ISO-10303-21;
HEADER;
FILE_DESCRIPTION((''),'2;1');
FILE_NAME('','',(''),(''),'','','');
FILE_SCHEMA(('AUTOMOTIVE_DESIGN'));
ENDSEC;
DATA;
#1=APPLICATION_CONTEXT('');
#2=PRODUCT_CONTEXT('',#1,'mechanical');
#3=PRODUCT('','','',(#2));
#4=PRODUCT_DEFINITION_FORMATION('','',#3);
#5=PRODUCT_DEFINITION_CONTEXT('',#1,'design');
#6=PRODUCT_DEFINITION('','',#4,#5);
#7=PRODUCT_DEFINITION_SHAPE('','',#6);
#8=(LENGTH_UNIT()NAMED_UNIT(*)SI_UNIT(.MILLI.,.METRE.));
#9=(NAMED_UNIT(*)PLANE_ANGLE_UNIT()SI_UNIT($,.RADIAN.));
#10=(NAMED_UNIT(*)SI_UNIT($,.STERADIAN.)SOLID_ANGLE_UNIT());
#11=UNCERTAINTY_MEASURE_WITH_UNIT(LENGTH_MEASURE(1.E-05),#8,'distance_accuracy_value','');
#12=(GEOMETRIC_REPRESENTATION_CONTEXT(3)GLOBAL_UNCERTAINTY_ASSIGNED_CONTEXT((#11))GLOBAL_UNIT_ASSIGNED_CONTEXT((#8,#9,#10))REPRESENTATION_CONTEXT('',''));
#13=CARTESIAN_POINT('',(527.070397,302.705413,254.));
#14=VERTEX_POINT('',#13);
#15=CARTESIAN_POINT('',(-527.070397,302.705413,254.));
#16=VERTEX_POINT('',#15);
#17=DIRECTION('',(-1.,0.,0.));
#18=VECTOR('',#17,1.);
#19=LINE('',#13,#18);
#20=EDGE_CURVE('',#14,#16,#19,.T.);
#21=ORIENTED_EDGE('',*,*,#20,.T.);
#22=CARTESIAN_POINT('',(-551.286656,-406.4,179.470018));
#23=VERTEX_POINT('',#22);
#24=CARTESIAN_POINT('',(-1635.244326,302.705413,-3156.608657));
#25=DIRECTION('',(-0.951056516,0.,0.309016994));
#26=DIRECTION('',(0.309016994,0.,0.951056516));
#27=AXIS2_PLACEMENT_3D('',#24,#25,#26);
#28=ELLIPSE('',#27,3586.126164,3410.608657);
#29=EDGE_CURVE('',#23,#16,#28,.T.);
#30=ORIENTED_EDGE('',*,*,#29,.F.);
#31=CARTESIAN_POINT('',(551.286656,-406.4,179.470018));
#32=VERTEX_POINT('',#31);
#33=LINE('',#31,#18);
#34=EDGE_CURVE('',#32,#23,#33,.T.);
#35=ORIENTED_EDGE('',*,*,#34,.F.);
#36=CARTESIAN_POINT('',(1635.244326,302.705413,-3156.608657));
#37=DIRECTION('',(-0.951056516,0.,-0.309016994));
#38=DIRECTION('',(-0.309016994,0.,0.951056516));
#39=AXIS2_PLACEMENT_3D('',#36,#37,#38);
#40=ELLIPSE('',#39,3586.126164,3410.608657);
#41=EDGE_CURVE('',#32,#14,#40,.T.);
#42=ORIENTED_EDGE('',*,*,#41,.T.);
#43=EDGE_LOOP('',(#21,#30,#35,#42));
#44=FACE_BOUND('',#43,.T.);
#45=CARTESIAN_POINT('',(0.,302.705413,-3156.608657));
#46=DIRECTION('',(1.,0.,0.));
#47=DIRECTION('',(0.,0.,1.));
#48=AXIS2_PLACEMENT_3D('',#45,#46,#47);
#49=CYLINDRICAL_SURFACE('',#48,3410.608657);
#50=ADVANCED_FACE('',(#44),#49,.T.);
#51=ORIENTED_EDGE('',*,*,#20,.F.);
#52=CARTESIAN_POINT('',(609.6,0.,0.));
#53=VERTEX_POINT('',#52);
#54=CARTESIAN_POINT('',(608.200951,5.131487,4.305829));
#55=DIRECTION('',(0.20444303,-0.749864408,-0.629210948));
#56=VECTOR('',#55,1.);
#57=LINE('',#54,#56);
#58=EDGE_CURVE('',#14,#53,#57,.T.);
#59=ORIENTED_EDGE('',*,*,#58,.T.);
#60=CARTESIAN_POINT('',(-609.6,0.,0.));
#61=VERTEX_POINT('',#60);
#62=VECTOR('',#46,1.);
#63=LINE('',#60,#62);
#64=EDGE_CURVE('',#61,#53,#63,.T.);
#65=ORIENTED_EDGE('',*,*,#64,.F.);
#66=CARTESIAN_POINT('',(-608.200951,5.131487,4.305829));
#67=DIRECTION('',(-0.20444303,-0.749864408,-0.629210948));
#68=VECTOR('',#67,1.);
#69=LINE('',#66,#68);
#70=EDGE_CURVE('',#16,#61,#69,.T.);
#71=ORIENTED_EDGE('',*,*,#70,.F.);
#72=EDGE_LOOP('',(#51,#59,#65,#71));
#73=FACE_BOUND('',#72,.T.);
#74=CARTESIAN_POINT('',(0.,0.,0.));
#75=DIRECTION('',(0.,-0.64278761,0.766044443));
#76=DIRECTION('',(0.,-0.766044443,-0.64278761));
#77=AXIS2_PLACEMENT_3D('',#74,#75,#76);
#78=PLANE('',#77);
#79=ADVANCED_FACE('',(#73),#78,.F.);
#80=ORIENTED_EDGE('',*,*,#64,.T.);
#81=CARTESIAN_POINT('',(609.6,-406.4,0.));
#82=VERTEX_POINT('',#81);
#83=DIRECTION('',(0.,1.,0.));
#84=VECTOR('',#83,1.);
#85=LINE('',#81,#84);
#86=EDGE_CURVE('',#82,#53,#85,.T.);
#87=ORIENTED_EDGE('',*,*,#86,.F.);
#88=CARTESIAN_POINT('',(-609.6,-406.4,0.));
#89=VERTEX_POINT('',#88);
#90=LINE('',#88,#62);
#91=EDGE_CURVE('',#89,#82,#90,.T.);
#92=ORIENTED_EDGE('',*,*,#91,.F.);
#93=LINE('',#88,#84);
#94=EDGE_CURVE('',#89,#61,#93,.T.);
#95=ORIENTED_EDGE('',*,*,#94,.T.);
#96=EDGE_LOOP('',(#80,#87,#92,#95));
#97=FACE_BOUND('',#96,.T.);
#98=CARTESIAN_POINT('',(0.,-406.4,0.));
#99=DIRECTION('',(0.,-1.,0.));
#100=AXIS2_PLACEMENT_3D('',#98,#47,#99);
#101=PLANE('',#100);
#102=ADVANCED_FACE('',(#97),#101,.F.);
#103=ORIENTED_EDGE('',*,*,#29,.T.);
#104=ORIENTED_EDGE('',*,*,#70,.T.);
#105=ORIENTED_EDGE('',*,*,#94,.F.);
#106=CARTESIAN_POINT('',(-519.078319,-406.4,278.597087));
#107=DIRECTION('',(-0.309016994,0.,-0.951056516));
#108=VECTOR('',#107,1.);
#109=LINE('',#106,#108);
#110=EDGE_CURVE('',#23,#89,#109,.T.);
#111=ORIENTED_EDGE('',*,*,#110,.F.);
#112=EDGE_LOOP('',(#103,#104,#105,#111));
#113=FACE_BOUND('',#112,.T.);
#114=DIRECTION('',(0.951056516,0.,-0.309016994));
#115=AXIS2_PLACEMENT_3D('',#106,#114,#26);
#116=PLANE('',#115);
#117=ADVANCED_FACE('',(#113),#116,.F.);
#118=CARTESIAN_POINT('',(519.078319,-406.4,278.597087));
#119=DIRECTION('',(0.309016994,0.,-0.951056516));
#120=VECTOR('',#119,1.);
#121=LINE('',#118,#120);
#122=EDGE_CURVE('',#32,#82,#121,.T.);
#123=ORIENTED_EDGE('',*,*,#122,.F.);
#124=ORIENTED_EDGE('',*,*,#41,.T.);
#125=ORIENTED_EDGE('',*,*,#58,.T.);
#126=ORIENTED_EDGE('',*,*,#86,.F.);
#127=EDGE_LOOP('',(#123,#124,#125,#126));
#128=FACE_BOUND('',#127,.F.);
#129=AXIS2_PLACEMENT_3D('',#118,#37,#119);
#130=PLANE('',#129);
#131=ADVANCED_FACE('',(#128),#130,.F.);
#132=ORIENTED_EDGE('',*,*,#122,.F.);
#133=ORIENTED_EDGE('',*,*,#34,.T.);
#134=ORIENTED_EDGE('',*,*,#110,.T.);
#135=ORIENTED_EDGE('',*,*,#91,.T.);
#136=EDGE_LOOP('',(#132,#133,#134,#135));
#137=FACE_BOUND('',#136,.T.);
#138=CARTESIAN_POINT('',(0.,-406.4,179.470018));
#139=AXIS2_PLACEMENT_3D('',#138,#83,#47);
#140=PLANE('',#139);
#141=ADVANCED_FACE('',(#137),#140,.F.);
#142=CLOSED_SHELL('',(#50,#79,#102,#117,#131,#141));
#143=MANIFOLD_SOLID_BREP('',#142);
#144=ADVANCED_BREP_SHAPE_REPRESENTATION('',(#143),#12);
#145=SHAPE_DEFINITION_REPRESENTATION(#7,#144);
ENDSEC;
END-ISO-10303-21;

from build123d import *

# Parameters (mm, degrees)
F1_DEPTH = 609.6
F3_DEPTH = 709.1064125189


with BuildPart() as f1:
    # F0 (on Right) → F1 (new body)
    with BuildSketch(Plane.YZ):
        with BuildLine():
            Line((-406.4, 179.4700178945), (-406.4, 0))
            Line((-406.4, 0), (0, 0))
            Line((0, 0), (302.7054125189, 254))
            ThreePointArc((302.7054125189, 254), (-53.8002691666, 235.3163289211), (-406.4, 179.4700178945))
        make_face()
    extrude(amount=F1_DEPTH)

    # F2 (on face) → F3 (cut, through all)
    with BuildSketch(Plane.XZ.offset(406.4)):
        Polygon((551.2866563028, 179.4700178945), (609.6, 0), (609.6, 179.4700178945), align=None)
        Polygon((519.0783191877, 278.5970867934), (551.2866563028, 179.4700178945), (609.6, 179.4700178945), (609.6, 278.5970867934), align=None)
    extrude(amount=-F3_DEPTH, mode=Mode.SUBTRACT)

    # F4: F1 across plane


with BuildPart() as f1_1:
    add(f1.part)
    add(f1.part.mirror(Plane.YZ))


solid = f1_1.part
